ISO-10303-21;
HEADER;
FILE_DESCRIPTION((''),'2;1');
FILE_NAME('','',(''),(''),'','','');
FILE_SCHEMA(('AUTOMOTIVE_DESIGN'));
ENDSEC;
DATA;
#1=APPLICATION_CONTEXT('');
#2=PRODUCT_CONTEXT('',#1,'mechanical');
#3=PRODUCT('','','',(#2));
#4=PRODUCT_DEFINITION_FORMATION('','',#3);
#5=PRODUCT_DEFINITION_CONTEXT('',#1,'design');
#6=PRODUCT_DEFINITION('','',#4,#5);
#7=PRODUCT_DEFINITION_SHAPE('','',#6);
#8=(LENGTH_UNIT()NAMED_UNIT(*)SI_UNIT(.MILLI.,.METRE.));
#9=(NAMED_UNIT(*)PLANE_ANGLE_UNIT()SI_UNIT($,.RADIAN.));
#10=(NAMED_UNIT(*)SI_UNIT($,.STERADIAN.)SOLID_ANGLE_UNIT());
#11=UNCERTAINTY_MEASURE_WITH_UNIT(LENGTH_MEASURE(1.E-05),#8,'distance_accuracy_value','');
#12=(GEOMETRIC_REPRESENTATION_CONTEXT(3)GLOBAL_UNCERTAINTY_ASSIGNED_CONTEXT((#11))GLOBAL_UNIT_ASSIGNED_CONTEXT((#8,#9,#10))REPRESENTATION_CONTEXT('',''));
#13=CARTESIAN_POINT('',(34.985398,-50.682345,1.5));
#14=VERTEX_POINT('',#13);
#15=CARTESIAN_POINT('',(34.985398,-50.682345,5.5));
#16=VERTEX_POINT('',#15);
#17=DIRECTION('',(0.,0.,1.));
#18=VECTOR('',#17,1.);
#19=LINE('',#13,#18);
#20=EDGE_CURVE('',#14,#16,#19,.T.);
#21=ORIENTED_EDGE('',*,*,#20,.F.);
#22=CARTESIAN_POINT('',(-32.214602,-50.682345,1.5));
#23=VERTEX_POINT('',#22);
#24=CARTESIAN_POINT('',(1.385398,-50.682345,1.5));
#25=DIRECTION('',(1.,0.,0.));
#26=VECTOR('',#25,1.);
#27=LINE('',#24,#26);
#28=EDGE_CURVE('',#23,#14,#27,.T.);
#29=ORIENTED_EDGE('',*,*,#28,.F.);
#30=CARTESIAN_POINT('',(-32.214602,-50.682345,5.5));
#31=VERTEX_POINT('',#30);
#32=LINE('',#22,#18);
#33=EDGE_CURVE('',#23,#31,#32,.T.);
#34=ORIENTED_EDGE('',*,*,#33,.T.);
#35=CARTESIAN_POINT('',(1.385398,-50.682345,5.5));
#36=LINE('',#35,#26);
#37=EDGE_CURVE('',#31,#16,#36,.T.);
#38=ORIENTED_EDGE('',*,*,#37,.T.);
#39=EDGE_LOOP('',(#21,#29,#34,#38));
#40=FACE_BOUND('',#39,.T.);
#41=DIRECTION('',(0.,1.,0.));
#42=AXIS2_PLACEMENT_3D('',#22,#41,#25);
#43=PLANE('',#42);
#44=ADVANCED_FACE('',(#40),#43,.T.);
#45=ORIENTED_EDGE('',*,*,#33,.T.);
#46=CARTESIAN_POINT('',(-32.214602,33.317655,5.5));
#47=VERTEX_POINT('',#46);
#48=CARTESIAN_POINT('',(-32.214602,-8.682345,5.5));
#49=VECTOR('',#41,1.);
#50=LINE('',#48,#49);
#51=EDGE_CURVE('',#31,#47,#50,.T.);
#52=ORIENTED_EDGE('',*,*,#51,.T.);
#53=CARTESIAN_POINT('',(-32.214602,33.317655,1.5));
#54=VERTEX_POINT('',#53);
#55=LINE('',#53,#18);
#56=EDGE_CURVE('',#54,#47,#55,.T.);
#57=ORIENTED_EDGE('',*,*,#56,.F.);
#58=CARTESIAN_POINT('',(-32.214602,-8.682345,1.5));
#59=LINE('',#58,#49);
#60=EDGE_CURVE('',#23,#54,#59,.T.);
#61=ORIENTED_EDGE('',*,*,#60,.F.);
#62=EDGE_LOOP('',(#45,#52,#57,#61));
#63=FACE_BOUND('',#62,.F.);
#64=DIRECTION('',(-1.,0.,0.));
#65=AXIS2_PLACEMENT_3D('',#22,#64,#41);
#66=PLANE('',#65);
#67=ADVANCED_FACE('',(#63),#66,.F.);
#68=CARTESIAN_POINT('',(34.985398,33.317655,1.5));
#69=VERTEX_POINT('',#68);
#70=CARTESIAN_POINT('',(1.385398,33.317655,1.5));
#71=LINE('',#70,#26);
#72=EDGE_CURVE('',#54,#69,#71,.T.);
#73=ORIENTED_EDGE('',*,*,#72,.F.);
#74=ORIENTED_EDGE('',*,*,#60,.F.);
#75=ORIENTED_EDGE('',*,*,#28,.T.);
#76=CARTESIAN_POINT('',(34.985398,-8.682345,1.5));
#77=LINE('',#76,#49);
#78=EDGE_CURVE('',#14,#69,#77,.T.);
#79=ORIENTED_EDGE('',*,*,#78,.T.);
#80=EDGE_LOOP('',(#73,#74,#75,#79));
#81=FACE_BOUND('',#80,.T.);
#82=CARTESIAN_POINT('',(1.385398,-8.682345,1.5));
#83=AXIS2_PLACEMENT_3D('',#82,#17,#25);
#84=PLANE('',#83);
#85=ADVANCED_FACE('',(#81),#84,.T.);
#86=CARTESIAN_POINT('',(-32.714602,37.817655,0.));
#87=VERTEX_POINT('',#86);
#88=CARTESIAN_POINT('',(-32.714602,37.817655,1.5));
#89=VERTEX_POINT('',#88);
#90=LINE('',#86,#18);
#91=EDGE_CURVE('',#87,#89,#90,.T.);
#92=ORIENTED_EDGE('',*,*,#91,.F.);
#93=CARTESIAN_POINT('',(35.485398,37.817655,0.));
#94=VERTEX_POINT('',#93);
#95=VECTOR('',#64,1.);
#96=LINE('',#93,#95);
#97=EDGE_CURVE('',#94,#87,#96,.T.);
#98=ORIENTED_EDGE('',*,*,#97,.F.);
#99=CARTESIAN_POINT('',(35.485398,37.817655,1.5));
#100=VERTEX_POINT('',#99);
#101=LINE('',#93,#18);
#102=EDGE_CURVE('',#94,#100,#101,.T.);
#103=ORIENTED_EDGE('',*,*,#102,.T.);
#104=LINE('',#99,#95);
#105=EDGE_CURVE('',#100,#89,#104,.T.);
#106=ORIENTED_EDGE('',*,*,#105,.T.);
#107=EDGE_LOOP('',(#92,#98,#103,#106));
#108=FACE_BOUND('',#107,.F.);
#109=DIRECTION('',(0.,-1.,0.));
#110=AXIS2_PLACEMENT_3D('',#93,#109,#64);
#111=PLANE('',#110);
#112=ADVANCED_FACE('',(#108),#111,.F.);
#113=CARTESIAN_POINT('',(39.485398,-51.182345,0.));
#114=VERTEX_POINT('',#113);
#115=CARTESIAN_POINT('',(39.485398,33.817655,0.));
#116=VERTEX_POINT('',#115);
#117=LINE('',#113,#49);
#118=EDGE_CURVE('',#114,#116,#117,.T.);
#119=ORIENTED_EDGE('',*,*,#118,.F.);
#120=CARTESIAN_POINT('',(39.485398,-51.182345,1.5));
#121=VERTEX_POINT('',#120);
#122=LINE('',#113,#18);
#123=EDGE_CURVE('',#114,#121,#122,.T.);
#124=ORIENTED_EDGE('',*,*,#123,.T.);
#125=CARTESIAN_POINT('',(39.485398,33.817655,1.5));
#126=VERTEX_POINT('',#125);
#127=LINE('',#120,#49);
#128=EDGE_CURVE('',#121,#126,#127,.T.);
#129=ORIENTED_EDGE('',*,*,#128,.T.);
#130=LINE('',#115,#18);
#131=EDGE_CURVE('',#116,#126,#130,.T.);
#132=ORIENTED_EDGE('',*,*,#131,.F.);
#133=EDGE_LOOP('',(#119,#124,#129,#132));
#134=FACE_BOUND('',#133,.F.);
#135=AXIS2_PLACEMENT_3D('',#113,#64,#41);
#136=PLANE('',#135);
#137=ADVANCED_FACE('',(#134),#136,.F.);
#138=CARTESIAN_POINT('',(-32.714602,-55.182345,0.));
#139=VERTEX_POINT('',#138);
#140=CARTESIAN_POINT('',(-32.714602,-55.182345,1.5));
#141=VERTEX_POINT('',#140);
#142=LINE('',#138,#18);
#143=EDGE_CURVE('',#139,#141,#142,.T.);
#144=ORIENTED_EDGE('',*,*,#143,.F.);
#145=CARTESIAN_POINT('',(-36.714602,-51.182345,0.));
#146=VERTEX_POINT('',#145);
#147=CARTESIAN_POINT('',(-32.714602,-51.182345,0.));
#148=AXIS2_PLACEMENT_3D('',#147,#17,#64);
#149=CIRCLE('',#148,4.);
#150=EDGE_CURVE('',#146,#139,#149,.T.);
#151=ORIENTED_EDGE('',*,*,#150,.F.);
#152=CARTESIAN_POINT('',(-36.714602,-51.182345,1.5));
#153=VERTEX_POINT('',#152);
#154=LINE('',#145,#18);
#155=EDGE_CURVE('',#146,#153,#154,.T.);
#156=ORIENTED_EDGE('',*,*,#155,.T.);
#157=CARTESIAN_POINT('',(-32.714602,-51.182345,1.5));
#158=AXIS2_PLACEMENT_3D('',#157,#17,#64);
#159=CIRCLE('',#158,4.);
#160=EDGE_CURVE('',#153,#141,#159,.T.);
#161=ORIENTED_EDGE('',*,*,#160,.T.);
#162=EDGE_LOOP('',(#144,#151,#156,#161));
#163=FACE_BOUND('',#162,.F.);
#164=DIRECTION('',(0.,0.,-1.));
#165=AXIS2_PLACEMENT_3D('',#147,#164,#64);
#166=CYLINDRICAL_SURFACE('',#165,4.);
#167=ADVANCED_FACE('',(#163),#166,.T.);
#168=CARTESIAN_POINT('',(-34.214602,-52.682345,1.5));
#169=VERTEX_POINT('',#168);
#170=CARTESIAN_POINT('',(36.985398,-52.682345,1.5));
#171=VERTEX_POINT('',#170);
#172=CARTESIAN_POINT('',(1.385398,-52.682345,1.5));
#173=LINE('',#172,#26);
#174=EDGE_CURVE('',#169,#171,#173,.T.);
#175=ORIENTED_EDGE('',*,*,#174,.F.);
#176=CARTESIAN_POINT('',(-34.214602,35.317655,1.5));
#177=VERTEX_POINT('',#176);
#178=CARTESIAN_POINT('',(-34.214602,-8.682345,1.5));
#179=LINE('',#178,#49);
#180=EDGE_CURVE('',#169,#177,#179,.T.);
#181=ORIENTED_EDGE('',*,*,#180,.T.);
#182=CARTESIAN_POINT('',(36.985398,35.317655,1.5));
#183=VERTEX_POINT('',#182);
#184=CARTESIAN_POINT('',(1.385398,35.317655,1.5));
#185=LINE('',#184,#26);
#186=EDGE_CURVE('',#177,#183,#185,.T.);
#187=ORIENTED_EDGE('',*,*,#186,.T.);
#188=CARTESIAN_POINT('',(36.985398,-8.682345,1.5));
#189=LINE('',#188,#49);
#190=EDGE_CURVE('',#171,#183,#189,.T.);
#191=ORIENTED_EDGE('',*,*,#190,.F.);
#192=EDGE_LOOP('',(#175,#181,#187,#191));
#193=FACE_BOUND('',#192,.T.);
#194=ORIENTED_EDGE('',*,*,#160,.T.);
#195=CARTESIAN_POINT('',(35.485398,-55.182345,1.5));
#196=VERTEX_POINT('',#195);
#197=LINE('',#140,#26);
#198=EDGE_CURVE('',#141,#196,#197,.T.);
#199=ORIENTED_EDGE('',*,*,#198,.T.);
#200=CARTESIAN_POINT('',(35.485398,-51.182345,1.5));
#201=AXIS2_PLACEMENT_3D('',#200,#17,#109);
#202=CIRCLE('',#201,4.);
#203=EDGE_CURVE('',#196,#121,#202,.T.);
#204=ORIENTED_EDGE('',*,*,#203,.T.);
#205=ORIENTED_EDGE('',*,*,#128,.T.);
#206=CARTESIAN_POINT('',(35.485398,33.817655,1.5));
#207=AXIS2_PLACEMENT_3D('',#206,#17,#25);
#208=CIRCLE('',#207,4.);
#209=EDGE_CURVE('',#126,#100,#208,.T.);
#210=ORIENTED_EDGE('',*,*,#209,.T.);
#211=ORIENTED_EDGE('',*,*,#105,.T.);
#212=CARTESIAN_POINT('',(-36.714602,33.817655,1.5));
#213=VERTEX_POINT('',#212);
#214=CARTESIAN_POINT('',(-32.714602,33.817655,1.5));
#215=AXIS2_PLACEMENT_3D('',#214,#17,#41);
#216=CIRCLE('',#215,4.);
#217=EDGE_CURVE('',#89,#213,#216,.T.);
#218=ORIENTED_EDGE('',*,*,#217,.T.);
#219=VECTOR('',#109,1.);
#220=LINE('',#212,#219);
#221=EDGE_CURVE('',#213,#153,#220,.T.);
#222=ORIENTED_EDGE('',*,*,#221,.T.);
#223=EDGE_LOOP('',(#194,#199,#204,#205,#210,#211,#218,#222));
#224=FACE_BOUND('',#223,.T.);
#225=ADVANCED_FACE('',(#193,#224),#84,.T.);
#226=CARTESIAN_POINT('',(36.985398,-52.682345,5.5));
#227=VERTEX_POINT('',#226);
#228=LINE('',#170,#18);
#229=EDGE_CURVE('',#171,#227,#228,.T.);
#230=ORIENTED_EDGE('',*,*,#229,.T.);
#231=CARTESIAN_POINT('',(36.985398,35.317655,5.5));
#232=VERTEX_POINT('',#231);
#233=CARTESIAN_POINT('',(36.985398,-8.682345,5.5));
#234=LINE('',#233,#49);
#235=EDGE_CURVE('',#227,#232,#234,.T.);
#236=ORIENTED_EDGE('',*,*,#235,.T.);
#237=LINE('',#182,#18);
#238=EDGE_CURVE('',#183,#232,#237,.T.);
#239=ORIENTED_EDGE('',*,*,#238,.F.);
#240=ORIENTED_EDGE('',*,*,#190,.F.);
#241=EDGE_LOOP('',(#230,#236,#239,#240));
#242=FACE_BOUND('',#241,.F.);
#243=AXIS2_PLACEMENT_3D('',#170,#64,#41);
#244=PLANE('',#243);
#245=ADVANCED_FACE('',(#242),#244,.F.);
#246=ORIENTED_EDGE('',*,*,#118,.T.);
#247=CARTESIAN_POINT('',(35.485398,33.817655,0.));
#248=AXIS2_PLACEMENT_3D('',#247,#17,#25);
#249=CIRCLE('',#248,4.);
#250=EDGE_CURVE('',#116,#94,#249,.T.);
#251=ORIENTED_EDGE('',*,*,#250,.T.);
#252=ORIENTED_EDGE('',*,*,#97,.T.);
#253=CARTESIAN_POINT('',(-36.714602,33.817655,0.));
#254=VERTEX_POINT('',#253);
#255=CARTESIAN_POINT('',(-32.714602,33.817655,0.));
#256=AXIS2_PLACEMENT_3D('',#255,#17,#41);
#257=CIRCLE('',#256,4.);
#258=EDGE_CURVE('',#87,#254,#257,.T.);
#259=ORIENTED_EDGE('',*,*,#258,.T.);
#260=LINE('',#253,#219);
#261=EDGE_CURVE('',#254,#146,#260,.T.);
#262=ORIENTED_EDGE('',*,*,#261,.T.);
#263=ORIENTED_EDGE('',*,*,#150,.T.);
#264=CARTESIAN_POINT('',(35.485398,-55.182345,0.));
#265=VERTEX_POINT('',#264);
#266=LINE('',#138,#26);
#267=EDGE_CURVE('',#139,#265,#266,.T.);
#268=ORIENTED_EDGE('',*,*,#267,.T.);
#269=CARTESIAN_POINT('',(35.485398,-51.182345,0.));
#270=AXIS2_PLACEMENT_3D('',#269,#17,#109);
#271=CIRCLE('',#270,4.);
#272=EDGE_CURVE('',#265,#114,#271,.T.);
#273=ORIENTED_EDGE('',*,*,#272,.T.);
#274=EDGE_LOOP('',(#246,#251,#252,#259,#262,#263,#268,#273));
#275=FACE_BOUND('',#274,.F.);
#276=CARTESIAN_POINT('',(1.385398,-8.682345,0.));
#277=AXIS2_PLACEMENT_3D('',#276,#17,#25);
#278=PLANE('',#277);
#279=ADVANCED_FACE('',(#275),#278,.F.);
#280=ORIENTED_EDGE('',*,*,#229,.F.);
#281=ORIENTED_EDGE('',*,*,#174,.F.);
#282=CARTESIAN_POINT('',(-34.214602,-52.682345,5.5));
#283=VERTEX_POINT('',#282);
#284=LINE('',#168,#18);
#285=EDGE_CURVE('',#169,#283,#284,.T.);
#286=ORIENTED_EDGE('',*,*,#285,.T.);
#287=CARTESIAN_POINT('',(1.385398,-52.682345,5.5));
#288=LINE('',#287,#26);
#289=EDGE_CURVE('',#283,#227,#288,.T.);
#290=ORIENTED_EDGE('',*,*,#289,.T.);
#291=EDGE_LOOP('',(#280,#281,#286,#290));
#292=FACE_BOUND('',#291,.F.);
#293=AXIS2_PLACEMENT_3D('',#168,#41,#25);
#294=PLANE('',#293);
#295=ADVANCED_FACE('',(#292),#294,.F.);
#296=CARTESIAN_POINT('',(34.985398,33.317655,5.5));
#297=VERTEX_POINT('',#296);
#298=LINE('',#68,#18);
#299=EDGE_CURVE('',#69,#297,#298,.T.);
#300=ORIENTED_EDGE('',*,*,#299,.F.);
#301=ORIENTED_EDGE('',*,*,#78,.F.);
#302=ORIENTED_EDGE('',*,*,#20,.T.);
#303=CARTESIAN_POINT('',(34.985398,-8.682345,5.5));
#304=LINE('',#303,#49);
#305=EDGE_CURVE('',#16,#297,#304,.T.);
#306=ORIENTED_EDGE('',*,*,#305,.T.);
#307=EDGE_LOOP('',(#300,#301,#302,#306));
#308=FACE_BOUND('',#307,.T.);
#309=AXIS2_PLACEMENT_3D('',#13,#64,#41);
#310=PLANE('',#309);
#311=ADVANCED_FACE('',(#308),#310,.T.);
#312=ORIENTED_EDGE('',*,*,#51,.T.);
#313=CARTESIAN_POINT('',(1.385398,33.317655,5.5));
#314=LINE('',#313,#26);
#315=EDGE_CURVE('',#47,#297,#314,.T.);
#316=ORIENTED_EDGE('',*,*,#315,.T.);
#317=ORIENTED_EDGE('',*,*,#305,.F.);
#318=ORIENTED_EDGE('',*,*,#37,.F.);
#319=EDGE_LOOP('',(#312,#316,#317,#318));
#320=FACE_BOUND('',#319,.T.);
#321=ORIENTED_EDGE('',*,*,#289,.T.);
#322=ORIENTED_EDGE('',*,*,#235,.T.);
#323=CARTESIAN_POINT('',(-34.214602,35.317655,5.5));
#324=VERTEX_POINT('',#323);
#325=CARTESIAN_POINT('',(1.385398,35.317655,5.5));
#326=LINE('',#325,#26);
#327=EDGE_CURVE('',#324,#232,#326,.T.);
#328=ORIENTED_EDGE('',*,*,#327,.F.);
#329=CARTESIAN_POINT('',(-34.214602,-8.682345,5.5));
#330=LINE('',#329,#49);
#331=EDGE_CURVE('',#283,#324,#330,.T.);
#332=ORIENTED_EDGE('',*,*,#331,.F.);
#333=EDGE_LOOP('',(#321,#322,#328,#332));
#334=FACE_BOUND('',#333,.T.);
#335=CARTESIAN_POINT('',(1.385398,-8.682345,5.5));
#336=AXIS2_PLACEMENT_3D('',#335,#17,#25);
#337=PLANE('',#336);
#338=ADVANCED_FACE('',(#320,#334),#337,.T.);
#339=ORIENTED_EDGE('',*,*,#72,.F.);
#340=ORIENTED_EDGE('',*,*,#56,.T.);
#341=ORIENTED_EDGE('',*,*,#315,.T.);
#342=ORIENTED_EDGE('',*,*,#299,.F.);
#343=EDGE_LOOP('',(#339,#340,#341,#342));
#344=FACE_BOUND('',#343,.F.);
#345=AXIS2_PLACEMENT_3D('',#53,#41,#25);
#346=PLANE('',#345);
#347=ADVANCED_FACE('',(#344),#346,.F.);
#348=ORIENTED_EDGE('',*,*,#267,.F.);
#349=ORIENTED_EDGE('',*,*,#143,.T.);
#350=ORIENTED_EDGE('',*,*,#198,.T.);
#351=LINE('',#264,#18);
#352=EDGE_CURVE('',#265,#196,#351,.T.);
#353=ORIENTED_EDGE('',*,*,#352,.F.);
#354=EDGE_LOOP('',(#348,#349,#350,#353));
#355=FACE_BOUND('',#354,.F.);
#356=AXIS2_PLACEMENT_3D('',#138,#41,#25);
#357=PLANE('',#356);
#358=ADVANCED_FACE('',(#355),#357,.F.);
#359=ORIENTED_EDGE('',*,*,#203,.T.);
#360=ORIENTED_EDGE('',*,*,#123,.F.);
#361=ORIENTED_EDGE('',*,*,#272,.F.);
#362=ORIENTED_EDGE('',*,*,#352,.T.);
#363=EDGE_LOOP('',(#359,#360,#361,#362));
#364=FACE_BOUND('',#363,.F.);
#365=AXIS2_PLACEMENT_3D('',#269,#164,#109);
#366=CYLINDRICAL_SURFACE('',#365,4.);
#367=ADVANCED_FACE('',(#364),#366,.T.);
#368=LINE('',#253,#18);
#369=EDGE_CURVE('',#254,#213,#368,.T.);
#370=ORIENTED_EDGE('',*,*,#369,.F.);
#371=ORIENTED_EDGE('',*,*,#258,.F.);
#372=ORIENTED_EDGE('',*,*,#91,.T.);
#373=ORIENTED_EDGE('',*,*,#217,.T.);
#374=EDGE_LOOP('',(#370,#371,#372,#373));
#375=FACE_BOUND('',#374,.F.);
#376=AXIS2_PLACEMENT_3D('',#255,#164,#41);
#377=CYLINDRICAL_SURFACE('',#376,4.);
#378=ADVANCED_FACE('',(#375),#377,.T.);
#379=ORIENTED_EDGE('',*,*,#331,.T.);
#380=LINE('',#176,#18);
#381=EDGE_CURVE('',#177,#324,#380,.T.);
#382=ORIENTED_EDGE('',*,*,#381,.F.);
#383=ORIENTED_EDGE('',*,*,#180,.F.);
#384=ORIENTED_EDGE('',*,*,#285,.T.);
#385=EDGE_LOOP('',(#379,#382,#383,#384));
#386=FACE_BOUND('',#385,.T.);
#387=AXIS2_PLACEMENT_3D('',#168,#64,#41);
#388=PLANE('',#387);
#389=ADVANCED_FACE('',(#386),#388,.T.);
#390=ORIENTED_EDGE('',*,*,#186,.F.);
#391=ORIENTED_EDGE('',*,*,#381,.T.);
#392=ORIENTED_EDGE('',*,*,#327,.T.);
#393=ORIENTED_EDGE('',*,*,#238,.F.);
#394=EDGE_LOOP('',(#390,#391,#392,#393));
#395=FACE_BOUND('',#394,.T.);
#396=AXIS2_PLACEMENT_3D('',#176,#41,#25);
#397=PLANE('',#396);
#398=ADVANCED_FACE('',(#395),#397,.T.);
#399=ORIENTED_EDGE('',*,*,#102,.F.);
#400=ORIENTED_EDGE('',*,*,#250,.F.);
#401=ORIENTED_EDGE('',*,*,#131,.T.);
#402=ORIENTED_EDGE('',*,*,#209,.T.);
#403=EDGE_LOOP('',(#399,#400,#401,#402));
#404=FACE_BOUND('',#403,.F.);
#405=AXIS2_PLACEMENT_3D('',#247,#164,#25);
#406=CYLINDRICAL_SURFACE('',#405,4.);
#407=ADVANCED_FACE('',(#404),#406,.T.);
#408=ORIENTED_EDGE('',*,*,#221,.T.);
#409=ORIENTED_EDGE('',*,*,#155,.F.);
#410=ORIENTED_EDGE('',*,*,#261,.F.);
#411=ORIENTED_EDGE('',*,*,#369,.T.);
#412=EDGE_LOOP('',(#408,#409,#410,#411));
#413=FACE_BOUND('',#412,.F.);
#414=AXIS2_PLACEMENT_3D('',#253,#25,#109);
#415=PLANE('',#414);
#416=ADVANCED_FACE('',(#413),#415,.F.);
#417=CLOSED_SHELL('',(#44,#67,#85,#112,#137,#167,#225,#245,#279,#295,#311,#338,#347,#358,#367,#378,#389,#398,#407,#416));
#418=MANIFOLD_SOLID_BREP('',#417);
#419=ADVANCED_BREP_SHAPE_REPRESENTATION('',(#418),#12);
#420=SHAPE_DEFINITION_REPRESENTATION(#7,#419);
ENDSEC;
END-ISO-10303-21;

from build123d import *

# Parameters (mm, degrees)
F0_W     = 71.2
F0_H     = 88
F1_DEPTH = 1.5
F2_W     = 71.2
F2_H     = 88
F2_W_2   = 67.2
F2_H_2   = 84
F3_DEPTH = 4


with BuildPart() as f1:
    # F0 (on Top) → F1 (new body)
    with BuildSketch(Plane.XY):
        with BuildLine():
            Line((35.4853983939, 37.8176547885), (-32.7146016061, 37.8176547885))
            ThreePointArc((-32.7146016061, 37.8176547885), (-35.5430287309, 36.6460819132), (-36.7146016061, 33.8176547885))
            Line((-36.7146016061, 33.8176547885), (-36.7146016061, -51.1823452115))
            ThreePointArc((-36.7146016061, -51.1823452115), (-35.5430287309, -54.0107723363), (-32.7146016061, -55.1823452115))
            Line((-32.7146016061, -55.1823452115), (35.4853983939, -55.1823452115))
            ThreePointArc((35.4853983939, -55.1823452115), (38.3138255186, -54.0107723363), (39.4853983939, -51.1823452115))
            Line((39.4853983939, -51.1823452115), (39.4853983939, 33.8176547885))
            ThreePointArc((39.4853983939, 33.8176547885), (38.3138255186, 36.6460819132), (35.4853983939, 37.8176547885))
        make_face()
        with Locations((1.3853983939, -8.6823452115)):
            Rectangle(F0_W, F0_H, mode=Mode.SUBTRACT)
        with Locations((1.3853983939, -8.6823452115)):
            Rectangle(F0_W, F0_H)
    extrude(amount=F1_DEPTH)

    # F2 (on face) → F3 (join)
    with BuildSketch(Plane.XY.offset(1.5)):
        with Locations((1.3853983939, -8.6823452115)):
            Rectangle(F2_W, F2_H)
        with Locations((1.3853983939, -8.6823452115)):
            Rectangle(F2_W_2, F2_H_2, mode=Mode.SUBTRACT)
    extrude(amount=F3_DEPTH)


solid = f1.part
